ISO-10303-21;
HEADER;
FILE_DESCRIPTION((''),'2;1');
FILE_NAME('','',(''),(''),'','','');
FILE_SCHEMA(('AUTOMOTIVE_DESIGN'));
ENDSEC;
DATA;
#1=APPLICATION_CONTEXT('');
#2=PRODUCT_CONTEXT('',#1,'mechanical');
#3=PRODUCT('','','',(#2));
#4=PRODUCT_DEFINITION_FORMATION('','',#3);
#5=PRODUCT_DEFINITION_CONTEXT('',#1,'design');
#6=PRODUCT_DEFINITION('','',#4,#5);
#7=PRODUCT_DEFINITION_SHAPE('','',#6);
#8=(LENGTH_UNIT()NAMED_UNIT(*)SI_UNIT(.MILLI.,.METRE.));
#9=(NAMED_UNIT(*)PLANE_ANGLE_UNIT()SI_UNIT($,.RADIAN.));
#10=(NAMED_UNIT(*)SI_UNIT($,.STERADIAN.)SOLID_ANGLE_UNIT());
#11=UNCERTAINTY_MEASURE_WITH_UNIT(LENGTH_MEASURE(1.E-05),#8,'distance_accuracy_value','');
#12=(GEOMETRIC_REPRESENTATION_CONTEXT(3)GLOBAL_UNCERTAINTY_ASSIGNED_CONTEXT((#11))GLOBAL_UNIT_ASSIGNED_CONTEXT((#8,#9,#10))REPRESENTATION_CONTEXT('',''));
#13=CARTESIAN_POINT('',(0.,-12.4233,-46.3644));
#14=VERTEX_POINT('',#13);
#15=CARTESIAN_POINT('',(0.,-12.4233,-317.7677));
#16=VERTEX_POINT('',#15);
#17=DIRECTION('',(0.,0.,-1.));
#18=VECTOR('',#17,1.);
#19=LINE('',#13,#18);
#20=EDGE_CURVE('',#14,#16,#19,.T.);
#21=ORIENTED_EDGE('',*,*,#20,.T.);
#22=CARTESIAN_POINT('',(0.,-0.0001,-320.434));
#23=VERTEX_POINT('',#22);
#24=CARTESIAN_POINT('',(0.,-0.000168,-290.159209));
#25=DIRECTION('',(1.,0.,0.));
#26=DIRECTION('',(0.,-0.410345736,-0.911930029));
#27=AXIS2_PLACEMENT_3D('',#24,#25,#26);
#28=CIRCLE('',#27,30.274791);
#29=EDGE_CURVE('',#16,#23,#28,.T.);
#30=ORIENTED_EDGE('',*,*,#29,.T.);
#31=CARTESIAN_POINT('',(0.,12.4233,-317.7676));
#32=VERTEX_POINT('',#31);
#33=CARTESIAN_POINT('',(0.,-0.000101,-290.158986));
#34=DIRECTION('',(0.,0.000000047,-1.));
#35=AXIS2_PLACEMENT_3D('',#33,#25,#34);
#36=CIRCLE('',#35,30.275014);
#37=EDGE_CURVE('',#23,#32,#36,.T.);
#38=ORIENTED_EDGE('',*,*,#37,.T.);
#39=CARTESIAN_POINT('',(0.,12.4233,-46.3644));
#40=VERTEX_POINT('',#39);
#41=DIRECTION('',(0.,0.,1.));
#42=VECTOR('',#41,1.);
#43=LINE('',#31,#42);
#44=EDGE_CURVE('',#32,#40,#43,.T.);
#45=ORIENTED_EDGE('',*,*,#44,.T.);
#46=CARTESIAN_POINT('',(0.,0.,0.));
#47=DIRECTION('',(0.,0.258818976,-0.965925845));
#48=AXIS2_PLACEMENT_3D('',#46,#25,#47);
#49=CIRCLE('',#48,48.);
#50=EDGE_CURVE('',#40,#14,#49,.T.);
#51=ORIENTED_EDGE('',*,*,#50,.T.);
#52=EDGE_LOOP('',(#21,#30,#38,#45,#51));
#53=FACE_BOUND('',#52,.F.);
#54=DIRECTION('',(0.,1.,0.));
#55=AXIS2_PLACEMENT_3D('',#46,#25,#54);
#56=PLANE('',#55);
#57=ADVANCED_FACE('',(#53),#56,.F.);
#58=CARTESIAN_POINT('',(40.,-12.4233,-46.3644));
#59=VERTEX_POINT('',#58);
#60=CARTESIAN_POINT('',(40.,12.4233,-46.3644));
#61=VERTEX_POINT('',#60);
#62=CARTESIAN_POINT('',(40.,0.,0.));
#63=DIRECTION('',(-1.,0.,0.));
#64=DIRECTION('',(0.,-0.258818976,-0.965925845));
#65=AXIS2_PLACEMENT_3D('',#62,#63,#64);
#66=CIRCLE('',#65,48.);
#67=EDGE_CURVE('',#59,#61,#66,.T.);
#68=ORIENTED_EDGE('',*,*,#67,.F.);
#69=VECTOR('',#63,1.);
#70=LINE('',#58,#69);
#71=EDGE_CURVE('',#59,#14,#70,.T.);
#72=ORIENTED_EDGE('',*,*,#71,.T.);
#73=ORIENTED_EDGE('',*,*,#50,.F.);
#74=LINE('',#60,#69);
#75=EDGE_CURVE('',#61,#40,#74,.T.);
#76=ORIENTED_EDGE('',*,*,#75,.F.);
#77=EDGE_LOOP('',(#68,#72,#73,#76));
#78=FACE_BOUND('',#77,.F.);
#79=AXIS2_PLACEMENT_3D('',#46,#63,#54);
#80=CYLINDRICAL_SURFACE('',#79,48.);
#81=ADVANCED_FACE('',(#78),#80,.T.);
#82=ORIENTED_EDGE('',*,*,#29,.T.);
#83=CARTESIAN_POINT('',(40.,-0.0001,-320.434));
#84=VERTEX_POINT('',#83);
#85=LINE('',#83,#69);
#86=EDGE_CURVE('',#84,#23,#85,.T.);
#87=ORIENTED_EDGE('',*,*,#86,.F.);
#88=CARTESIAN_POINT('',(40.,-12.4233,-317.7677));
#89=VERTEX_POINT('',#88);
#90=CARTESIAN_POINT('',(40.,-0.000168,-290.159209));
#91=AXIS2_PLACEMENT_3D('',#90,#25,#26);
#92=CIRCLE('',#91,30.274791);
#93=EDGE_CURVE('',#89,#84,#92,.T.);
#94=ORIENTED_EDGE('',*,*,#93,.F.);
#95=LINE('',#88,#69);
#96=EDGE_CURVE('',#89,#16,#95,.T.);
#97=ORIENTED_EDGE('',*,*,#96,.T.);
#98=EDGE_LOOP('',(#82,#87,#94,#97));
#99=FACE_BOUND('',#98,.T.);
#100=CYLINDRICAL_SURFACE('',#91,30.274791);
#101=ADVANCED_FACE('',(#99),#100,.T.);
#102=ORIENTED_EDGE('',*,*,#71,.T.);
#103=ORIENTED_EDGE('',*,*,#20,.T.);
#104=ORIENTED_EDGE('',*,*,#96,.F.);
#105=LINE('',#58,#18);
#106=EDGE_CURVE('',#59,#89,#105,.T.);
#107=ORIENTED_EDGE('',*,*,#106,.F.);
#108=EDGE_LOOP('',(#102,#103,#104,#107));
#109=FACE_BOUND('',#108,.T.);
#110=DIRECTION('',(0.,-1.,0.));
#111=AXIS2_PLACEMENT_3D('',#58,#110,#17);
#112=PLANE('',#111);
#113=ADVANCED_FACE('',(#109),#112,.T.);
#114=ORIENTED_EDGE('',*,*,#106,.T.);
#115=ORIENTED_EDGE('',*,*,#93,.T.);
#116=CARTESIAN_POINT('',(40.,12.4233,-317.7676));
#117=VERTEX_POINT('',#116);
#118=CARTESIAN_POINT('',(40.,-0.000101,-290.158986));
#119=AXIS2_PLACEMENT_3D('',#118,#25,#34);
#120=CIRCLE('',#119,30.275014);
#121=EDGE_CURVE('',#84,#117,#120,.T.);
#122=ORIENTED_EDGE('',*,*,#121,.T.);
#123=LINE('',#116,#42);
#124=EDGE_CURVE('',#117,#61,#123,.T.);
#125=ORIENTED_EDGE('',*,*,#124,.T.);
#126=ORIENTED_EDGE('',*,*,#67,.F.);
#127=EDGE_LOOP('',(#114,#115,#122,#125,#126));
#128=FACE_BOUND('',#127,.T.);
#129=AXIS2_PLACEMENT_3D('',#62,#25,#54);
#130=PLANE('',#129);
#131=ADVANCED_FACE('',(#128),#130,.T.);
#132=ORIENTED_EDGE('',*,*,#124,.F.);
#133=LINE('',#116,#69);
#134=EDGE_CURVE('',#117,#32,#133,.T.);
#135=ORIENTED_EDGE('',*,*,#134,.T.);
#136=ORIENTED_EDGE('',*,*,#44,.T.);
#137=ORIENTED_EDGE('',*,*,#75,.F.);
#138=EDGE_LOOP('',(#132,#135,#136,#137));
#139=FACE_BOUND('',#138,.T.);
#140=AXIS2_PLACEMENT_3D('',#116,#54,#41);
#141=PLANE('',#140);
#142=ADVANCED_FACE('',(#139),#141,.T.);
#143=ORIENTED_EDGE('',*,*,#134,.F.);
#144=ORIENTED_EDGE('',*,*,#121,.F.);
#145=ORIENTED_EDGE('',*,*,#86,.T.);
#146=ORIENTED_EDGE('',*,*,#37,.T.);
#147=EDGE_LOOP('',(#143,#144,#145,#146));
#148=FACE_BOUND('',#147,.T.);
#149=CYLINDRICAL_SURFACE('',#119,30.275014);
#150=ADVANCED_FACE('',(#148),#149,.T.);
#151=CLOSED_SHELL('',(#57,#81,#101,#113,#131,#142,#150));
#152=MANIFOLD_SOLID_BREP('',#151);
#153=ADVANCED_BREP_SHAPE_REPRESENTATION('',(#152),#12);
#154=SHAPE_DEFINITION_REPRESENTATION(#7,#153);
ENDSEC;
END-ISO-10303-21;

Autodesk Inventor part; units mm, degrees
ref_plane "YZ Plane" through (0, 0, 0) normal (1, 0, 0) x (0, 1, 0)
ref_plane "XZ Plane" through (0, 0, 0) normal (0, 1, 0) x (-1, 0, 0)
ref_plane "XY Plane" through (0, 0, 0) normal (0, 0, 1) x (1, 0, 0)
sketch "Boceto1" plane through (0, 0, 0) normal (1, 0, 0) x (0, 1, 0)
  circle A0 centre (0, 0) radius 48
  dimension "d0" = 96
extrude "Extrusión1" add sketch "Boceto1" along normal blind 40
sketch "Boceto2" plane through (40, 0, 0) normal (1, 0, 0) x (0, 0, -1)
  circle A0 centre (0, 0) radius 48 projected
  arc A1 (48, 0) -> (46.3644, 12.4233) centre (0, 0) ccw
  line L0 (0, 0) -> (46.3644, 12.4233) construction
  line L1 (0, 0) -> (48, 0) construction
  arc A2 (46.3644, -12.4233) -> (48, 0) centre (0, 0) ccw
  arc A3 (320.434, -0.0001) -> (317.7676, 12.4233) centre (290.159, -0.0001) ccw
  arc A4 (317.7677, -12.4233) -> (320.434, -0.0001) centre (290.159, -0.0001) ccw
  line L2 (46.3644, -12.4233) -> (317.7677, -12.4233)
  line L3 (317.7676, 12.4233) -> (46.3644, 12.4233)
  dimension "d3" = 15
extrude "Extrusión2" add sketch "Boceto2" against normal blind 40 contours A0 L3 A3 A4 L2
properties part number "Pata2_v1"
